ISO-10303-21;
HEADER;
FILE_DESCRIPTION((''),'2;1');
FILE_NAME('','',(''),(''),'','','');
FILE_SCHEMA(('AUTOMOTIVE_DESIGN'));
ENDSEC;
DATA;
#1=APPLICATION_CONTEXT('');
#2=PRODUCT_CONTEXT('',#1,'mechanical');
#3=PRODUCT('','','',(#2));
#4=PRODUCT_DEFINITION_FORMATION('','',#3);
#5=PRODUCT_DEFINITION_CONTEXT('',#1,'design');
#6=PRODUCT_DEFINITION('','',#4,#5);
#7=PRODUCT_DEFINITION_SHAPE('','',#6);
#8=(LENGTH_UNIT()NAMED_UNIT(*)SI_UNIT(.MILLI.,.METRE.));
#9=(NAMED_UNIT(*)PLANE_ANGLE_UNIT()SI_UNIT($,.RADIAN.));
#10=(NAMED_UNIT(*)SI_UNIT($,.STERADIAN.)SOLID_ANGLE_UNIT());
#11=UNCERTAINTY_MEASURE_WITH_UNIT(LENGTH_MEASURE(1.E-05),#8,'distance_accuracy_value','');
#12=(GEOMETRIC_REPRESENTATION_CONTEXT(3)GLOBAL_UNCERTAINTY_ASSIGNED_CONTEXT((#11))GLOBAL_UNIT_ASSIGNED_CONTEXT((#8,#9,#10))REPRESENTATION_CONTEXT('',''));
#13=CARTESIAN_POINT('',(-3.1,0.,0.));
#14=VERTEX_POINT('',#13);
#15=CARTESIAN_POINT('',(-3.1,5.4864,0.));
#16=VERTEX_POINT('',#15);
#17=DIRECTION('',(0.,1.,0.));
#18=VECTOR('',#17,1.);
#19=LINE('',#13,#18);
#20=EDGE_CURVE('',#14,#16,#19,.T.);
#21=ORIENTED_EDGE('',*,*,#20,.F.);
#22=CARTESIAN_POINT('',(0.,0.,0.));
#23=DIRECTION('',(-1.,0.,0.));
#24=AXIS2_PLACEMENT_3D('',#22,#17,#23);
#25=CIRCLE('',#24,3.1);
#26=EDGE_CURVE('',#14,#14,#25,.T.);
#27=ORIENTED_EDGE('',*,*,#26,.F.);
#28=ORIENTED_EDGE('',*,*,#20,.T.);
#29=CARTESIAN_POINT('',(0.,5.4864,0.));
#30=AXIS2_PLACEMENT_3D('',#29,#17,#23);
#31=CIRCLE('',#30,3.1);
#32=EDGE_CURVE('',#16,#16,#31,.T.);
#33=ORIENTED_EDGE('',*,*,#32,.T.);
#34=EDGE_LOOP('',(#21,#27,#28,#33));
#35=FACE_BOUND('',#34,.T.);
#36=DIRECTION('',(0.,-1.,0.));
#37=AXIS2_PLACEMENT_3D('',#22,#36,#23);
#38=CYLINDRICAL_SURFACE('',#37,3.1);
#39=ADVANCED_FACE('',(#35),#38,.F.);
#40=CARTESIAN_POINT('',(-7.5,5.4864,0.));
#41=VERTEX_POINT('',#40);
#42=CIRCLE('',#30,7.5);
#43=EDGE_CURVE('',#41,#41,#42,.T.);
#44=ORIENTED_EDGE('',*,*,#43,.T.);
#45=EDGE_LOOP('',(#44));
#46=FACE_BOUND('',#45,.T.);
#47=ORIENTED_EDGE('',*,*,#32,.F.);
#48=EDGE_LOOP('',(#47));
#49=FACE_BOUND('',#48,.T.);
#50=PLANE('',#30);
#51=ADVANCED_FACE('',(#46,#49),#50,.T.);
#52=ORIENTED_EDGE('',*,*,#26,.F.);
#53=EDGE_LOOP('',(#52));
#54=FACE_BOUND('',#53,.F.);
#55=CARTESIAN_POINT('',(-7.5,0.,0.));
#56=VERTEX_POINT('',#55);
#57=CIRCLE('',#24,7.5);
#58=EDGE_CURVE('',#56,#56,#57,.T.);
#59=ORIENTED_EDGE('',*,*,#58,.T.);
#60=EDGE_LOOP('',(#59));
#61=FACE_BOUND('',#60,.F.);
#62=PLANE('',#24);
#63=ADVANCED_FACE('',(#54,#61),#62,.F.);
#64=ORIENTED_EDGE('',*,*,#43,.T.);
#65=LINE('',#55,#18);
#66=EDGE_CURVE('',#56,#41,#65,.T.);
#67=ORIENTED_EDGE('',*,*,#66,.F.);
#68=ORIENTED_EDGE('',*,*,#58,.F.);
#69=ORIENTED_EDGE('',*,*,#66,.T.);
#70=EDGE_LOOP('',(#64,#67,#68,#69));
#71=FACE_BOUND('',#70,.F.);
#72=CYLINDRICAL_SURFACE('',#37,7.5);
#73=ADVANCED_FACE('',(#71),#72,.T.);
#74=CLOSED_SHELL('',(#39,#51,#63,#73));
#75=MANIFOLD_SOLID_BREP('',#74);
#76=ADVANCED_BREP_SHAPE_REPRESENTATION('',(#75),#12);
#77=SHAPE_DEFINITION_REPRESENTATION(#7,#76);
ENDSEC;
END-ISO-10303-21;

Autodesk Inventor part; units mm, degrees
ref_plane "YZ Plane" through (0, 0, 0) normal (1, 0, 0) x (0, 1, 0)
ref_plane "XZ Plane" through (0, 0, 0) normal (0, 1, 0) x (-1, 0, 0)
ref_plane "XY Plane" through (0, 0, 0) normal (0, 0, 1) x (1, 0, 0)
sketch "Sketch1" plane through (0, 0, 0) normal (0, 1, 0) x (-1, 0, 0)
  circle A0 centre (0, 0) radius 7.5
  circle A1 centre (0, 0) radius 3.1
  dimension "d0" = 15
  dimension "d1" = 6.2
extrude "Extrusion1" add sketch "Sketch1" along normal blind 5.4864
properties part number "PicoBoxOutsideSpacers"
